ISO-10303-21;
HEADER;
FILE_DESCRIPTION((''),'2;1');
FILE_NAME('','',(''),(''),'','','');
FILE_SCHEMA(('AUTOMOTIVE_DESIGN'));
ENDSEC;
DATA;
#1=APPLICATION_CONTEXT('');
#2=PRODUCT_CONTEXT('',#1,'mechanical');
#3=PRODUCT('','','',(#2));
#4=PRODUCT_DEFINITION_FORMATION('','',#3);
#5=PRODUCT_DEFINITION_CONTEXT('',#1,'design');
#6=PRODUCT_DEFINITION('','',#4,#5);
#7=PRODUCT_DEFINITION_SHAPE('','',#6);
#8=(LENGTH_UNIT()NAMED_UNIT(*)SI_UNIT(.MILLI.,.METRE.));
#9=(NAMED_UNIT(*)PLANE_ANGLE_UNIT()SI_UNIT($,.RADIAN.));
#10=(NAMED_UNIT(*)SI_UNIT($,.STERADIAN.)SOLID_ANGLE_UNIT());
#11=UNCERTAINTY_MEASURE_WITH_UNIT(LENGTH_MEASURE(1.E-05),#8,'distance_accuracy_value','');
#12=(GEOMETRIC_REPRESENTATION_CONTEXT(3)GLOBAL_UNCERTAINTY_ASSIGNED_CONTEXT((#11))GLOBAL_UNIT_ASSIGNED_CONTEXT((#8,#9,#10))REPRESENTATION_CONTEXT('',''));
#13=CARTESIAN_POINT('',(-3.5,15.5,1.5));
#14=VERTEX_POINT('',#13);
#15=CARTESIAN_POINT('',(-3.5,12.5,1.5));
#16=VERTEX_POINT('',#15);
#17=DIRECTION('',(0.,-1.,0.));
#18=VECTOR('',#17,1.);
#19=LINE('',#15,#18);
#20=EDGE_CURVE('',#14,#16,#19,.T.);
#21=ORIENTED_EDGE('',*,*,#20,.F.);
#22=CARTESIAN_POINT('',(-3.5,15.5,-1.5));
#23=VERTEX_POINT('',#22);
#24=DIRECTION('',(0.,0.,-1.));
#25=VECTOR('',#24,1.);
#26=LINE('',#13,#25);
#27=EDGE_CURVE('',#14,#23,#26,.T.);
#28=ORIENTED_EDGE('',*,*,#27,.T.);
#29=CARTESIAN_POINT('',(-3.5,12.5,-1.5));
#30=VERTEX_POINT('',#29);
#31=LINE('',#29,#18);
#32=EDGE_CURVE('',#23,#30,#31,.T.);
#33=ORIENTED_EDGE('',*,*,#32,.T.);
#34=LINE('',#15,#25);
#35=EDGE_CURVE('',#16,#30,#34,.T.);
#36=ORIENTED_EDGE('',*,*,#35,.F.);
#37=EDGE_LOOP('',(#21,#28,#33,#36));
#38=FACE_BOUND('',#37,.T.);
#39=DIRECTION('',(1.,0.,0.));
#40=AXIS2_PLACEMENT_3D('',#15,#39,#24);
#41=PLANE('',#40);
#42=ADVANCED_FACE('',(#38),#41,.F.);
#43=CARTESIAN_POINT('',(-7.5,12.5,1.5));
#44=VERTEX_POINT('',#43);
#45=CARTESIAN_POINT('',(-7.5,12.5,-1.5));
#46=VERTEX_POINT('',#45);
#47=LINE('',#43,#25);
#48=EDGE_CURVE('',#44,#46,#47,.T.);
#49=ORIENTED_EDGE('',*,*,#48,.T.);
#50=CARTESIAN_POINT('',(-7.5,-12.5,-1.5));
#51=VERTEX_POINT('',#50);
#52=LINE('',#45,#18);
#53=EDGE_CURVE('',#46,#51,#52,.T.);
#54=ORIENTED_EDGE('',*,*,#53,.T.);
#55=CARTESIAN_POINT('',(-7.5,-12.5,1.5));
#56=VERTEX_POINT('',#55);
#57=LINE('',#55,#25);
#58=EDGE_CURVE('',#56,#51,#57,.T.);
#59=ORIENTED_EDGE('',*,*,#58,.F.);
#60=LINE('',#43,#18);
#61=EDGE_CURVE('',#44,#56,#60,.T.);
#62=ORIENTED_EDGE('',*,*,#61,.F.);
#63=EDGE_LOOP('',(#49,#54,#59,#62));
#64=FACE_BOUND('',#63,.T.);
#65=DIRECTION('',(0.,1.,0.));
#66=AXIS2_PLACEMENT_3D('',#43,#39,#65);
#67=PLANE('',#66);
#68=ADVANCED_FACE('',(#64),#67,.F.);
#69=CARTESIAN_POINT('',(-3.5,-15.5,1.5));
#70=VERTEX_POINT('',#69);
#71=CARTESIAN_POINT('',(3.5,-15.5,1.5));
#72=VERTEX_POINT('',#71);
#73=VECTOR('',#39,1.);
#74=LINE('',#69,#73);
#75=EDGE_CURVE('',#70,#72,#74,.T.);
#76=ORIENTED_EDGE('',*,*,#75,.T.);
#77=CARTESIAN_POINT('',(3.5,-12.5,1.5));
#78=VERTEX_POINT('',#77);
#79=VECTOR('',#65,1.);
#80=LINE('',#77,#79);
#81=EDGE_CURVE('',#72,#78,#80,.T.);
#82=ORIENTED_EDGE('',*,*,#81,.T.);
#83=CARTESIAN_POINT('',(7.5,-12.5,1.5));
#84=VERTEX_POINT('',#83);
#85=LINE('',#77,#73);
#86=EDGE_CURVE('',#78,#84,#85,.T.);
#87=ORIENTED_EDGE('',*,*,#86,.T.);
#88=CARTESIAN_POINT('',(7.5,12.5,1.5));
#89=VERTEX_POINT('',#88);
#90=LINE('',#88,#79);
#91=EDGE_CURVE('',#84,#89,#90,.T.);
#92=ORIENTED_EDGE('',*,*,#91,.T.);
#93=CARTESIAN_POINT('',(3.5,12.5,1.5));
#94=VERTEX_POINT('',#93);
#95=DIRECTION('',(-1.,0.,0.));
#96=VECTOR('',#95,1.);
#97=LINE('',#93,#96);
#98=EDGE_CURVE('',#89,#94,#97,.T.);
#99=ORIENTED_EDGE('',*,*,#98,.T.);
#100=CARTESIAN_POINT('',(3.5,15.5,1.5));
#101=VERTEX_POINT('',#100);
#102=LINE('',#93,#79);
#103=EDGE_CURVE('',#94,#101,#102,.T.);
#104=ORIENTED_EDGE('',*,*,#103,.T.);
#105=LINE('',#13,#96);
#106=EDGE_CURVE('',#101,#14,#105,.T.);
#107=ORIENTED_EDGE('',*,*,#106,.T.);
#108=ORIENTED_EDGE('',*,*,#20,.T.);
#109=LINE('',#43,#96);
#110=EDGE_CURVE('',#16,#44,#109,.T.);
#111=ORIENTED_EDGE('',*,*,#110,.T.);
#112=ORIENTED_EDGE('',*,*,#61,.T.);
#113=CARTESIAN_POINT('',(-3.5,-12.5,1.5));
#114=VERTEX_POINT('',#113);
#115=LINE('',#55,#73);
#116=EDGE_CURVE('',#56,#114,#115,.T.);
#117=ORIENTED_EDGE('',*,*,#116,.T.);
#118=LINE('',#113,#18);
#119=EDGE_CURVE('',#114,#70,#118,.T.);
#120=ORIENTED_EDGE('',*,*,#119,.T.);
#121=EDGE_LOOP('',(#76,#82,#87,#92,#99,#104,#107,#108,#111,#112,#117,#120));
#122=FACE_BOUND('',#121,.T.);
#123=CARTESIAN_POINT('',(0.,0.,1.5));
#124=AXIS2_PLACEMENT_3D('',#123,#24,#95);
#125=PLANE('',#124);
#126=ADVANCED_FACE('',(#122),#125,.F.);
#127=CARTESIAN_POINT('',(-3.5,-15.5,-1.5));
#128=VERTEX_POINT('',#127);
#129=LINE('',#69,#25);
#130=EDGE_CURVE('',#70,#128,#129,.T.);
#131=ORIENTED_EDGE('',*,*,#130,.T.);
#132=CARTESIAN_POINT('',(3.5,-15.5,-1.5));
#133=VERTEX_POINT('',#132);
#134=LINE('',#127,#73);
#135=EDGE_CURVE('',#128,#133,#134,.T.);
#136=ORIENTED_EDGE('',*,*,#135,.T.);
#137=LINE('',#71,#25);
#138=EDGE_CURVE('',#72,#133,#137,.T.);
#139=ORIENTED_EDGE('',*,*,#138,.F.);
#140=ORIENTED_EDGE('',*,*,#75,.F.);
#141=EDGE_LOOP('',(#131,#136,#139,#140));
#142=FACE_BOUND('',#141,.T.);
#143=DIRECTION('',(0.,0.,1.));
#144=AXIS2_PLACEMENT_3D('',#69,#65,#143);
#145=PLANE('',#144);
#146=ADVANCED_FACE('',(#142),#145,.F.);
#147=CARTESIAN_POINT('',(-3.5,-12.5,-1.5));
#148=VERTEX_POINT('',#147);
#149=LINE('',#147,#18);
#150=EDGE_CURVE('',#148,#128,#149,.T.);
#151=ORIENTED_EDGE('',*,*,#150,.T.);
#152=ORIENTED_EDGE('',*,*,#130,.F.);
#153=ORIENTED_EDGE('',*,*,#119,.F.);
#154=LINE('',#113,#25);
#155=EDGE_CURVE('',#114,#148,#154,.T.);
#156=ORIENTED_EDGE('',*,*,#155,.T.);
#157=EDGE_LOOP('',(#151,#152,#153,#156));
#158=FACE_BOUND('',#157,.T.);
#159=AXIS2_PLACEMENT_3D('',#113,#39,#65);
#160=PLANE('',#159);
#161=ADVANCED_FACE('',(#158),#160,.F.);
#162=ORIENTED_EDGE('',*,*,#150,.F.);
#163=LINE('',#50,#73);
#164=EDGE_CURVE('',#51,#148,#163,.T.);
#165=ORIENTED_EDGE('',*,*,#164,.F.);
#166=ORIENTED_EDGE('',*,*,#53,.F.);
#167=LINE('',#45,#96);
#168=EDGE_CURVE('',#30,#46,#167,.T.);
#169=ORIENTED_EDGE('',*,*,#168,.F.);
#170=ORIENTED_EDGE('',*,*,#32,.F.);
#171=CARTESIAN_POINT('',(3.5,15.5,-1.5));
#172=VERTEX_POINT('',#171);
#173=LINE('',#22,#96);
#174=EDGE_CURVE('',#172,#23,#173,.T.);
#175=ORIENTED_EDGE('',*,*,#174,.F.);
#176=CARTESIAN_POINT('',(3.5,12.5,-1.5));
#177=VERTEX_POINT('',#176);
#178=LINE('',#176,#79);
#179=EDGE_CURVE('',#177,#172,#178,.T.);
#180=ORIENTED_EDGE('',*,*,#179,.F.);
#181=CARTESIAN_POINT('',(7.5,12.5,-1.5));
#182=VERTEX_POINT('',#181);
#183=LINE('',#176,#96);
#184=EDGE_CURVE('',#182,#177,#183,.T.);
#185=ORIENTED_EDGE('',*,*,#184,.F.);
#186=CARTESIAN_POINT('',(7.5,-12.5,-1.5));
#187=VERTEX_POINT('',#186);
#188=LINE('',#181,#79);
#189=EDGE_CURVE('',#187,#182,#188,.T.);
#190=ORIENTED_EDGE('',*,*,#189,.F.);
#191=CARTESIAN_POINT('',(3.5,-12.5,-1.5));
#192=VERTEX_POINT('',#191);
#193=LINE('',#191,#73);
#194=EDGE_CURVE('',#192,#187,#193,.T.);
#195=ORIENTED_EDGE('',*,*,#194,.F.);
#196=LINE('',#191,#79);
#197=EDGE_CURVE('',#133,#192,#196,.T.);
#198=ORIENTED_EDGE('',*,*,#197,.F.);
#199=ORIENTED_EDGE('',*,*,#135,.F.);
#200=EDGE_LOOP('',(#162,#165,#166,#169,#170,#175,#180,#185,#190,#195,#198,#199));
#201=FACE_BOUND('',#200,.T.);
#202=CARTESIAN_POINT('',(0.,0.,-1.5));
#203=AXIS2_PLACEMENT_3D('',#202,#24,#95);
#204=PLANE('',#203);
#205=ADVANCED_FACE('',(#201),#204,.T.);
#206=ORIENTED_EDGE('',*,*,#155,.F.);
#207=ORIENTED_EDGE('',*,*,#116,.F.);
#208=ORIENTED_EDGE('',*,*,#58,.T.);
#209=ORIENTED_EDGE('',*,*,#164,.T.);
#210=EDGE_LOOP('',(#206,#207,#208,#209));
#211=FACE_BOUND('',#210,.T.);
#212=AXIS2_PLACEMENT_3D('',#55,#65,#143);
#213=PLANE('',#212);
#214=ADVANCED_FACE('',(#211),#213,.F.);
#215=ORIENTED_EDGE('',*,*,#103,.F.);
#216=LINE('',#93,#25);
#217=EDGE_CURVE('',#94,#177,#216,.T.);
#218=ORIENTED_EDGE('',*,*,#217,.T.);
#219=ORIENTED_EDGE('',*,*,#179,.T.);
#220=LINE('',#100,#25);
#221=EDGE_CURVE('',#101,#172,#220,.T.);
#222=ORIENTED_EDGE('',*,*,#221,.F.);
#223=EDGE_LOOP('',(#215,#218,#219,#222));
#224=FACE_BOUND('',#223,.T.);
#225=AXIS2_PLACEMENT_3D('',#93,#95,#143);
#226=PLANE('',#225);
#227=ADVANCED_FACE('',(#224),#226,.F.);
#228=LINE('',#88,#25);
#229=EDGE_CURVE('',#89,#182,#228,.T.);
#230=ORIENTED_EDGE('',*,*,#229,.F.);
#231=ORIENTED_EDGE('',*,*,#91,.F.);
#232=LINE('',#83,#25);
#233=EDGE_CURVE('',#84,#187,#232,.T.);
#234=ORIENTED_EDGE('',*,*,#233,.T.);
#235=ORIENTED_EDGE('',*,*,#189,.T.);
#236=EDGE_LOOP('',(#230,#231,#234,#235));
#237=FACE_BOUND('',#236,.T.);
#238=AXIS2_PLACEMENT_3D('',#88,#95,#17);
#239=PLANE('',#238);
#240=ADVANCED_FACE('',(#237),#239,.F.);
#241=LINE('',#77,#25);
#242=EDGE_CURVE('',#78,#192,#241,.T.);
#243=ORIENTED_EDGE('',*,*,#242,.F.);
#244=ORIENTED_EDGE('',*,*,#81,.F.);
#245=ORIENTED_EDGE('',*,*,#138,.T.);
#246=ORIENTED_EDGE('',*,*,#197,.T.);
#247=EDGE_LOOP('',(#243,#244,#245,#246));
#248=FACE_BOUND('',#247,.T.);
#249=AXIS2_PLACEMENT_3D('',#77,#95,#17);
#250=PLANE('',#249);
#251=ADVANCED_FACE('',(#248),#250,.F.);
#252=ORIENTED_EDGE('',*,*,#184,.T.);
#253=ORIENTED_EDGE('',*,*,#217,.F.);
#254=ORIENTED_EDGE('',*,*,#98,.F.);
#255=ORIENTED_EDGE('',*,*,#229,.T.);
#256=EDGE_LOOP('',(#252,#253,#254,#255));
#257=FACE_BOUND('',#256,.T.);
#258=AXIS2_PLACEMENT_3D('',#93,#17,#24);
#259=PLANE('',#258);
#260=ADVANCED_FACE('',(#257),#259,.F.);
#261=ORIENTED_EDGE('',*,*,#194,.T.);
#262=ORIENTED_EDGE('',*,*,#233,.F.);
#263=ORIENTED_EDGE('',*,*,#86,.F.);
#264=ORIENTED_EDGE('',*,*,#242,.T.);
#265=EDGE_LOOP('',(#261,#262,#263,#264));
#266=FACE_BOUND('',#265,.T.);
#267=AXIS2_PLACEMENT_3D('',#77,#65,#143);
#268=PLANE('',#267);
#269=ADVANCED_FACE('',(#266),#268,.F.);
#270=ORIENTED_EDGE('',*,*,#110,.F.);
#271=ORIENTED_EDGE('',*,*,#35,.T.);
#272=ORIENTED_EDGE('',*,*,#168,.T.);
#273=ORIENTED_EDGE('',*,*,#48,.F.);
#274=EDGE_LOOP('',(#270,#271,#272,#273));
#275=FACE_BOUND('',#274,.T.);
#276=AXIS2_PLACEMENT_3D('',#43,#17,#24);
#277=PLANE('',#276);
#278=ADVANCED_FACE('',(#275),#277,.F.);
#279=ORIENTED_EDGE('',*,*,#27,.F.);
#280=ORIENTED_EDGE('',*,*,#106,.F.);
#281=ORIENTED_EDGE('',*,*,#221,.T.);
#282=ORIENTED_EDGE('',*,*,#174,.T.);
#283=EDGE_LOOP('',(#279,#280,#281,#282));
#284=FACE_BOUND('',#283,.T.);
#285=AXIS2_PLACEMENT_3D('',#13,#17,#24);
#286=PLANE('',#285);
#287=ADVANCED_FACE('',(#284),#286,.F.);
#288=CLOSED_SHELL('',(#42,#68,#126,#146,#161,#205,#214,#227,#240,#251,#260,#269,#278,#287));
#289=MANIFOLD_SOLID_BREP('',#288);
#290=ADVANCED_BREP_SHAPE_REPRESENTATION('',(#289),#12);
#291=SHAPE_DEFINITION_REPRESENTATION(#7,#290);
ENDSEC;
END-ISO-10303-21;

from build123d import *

# Parameters (mm, degrees)
BOSS_EXTRUDE1_DEPTH = 1.5


with BuildPart() as part:
    # Sketch1 → Boss-Extrude1 (new body, symmetric)
    with BuildSketch(Plane.XY):
        Polygon((3.5, 12.5), (7.5, 12.5), (7.5, -12.5), (3.5, -12.5), (3.5, -15.5), (-3.5, -15.5), (-3.5, -12.5), (-7.5, -12.5), (-7.5, 12.5), (-3.5, 12.5), (-3.5, 15.5), (3.5, 15.5), align=None)
    extrude(amount=BOSS_EXTRUDE1_DEPTH, both=True)


solid = part.part
